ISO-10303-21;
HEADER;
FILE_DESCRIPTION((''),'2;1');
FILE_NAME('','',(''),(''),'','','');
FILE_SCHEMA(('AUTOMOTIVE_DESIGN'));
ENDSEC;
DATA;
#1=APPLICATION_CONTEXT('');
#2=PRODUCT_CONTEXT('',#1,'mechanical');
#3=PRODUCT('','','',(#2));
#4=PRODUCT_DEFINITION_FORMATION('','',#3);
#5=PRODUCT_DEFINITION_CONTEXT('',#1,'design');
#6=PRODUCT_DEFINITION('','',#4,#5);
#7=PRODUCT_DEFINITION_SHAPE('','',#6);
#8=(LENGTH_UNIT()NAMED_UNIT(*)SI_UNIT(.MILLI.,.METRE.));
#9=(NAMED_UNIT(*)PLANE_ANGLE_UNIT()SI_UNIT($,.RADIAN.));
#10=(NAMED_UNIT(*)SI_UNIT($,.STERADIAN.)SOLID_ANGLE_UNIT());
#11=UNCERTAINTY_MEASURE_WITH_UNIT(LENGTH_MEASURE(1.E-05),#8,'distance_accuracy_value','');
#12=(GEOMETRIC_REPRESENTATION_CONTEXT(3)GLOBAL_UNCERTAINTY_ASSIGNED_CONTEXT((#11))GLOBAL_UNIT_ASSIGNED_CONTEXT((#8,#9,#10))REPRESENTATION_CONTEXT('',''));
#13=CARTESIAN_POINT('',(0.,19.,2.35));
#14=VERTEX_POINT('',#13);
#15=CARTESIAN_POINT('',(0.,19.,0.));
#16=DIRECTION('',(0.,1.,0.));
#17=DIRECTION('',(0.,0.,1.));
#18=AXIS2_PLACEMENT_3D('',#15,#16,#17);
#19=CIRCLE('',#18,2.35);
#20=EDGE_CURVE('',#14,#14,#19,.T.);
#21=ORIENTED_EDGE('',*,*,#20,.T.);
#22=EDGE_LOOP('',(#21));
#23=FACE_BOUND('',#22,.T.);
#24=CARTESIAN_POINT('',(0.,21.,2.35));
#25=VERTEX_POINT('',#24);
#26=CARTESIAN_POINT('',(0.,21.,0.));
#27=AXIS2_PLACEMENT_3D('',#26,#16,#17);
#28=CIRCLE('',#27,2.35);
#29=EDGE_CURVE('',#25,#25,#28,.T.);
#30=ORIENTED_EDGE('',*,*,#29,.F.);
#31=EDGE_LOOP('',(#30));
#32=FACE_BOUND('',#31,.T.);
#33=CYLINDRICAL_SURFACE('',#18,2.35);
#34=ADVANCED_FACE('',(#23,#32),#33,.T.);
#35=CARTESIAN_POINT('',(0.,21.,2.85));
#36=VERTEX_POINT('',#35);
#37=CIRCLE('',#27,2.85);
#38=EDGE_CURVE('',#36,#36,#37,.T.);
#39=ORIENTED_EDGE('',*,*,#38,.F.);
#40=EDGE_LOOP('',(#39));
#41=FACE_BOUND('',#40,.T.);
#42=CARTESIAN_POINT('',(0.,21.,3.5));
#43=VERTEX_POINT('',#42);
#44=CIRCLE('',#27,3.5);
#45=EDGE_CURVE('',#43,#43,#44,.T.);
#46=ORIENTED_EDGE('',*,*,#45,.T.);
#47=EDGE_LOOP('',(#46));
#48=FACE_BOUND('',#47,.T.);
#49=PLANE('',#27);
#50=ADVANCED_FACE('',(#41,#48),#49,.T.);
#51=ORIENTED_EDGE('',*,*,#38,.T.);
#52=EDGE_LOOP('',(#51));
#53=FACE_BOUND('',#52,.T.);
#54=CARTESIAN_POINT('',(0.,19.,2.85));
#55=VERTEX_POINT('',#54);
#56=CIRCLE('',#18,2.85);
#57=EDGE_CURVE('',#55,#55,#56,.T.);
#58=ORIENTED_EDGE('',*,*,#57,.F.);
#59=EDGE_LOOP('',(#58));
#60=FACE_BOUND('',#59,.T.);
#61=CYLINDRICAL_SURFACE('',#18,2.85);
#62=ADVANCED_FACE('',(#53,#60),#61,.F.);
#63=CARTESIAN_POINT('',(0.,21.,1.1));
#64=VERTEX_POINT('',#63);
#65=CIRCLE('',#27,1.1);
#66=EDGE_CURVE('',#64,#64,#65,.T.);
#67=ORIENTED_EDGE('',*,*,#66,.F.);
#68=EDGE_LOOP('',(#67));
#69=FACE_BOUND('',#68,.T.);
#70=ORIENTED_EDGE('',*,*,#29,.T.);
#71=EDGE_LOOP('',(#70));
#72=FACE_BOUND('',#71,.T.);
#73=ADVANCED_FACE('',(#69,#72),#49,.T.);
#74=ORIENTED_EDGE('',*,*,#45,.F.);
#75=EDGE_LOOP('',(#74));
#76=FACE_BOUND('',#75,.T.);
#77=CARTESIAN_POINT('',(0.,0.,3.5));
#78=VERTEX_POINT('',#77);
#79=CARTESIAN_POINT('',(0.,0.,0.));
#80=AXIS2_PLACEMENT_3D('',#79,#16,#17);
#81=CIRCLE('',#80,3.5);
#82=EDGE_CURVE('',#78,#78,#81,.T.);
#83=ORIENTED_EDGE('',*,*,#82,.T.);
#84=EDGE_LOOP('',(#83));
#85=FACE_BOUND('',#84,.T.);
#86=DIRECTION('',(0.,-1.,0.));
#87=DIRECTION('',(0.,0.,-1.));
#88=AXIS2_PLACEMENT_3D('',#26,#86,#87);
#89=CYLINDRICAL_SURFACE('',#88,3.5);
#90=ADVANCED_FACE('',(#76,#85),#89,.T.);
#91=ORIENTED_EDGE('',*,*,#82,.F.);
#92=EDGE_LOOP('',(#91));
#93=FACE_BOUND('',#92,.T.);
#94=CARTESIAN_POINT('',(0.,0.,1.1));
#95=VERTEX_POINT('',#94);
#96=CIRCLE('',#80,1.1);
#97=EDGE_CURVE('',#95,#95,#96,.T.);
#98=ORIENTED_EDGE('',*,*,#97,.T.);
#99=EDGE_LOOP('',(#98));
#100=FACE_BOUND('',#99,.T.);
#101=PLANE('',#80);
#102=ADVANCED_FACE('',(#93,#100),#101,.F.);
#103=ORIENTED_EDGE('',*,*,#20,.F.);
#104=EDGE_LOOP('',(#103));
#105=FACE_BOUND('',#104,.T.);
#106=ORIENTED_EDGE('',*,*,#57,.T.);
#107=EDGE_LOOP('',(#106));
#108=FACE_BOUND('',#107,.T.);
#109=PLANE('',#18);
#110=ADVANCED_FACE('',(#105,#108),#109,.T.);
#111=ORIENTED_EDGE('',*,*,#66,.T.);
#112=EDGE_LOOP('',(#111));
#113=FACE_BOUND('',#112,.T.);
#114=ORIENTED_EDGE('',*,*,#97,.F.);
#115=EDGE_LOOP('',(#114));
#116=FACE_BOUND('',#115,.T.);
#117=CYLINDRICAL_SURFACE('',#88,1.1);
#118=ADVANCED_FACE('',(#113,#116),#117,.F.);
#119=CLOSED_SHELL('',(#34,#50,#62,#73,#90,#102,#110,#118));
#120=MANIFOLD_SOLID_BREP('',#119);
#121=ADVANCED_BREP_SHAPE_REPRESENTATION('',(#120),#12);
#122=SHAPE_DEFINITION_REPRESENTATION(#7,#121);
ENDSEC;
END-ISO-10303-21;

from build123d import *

# Parameters (mm, degrees)
ESQUISSE1_R             = 3.5
ESQUISSE1_R_2           = 1.1
BOSS_EXTRU_2_DEPTH      = 21
ESQUISSE2_R             = 2.85
ESQUISSE2_R_2           = 2.35
ENL_V_MAT_EXTRU_1_DEPTH = 2


with BuildPart() as part:
    # Esquisse1 → Boss.-Extru.2 (new body)
    with BuildSketch(Plane(origin=(0, 0, 0), x_dir=(1, 0, 0), z_dir=(0, 1, 0))):
        Circle(ESQUISSE1_R)
        Circle(ESQUISSE1_R_2, mode=Mode.SUBTRACT)
    extrude(amount=BOSS_EXTRU_2_DEPTH)

    # Esquisse2 → Enlèv. mat.-Extru.1 (cut)
    with BuildSketch(Plane(origin=(0, 21, 0), x_dir=(1, 0, 0), z_dir=(0, 1, 0))):
        Circle(ESQUISSE2_R)
        Circle(ESQUISSE2_R_2, mode=Mode.SUBTRACT)
    extrude(amount=-ENL_V_MAT_EXTRU_1_DEPTH, mode=Mode.SUBTRACT)


solid = part.part
